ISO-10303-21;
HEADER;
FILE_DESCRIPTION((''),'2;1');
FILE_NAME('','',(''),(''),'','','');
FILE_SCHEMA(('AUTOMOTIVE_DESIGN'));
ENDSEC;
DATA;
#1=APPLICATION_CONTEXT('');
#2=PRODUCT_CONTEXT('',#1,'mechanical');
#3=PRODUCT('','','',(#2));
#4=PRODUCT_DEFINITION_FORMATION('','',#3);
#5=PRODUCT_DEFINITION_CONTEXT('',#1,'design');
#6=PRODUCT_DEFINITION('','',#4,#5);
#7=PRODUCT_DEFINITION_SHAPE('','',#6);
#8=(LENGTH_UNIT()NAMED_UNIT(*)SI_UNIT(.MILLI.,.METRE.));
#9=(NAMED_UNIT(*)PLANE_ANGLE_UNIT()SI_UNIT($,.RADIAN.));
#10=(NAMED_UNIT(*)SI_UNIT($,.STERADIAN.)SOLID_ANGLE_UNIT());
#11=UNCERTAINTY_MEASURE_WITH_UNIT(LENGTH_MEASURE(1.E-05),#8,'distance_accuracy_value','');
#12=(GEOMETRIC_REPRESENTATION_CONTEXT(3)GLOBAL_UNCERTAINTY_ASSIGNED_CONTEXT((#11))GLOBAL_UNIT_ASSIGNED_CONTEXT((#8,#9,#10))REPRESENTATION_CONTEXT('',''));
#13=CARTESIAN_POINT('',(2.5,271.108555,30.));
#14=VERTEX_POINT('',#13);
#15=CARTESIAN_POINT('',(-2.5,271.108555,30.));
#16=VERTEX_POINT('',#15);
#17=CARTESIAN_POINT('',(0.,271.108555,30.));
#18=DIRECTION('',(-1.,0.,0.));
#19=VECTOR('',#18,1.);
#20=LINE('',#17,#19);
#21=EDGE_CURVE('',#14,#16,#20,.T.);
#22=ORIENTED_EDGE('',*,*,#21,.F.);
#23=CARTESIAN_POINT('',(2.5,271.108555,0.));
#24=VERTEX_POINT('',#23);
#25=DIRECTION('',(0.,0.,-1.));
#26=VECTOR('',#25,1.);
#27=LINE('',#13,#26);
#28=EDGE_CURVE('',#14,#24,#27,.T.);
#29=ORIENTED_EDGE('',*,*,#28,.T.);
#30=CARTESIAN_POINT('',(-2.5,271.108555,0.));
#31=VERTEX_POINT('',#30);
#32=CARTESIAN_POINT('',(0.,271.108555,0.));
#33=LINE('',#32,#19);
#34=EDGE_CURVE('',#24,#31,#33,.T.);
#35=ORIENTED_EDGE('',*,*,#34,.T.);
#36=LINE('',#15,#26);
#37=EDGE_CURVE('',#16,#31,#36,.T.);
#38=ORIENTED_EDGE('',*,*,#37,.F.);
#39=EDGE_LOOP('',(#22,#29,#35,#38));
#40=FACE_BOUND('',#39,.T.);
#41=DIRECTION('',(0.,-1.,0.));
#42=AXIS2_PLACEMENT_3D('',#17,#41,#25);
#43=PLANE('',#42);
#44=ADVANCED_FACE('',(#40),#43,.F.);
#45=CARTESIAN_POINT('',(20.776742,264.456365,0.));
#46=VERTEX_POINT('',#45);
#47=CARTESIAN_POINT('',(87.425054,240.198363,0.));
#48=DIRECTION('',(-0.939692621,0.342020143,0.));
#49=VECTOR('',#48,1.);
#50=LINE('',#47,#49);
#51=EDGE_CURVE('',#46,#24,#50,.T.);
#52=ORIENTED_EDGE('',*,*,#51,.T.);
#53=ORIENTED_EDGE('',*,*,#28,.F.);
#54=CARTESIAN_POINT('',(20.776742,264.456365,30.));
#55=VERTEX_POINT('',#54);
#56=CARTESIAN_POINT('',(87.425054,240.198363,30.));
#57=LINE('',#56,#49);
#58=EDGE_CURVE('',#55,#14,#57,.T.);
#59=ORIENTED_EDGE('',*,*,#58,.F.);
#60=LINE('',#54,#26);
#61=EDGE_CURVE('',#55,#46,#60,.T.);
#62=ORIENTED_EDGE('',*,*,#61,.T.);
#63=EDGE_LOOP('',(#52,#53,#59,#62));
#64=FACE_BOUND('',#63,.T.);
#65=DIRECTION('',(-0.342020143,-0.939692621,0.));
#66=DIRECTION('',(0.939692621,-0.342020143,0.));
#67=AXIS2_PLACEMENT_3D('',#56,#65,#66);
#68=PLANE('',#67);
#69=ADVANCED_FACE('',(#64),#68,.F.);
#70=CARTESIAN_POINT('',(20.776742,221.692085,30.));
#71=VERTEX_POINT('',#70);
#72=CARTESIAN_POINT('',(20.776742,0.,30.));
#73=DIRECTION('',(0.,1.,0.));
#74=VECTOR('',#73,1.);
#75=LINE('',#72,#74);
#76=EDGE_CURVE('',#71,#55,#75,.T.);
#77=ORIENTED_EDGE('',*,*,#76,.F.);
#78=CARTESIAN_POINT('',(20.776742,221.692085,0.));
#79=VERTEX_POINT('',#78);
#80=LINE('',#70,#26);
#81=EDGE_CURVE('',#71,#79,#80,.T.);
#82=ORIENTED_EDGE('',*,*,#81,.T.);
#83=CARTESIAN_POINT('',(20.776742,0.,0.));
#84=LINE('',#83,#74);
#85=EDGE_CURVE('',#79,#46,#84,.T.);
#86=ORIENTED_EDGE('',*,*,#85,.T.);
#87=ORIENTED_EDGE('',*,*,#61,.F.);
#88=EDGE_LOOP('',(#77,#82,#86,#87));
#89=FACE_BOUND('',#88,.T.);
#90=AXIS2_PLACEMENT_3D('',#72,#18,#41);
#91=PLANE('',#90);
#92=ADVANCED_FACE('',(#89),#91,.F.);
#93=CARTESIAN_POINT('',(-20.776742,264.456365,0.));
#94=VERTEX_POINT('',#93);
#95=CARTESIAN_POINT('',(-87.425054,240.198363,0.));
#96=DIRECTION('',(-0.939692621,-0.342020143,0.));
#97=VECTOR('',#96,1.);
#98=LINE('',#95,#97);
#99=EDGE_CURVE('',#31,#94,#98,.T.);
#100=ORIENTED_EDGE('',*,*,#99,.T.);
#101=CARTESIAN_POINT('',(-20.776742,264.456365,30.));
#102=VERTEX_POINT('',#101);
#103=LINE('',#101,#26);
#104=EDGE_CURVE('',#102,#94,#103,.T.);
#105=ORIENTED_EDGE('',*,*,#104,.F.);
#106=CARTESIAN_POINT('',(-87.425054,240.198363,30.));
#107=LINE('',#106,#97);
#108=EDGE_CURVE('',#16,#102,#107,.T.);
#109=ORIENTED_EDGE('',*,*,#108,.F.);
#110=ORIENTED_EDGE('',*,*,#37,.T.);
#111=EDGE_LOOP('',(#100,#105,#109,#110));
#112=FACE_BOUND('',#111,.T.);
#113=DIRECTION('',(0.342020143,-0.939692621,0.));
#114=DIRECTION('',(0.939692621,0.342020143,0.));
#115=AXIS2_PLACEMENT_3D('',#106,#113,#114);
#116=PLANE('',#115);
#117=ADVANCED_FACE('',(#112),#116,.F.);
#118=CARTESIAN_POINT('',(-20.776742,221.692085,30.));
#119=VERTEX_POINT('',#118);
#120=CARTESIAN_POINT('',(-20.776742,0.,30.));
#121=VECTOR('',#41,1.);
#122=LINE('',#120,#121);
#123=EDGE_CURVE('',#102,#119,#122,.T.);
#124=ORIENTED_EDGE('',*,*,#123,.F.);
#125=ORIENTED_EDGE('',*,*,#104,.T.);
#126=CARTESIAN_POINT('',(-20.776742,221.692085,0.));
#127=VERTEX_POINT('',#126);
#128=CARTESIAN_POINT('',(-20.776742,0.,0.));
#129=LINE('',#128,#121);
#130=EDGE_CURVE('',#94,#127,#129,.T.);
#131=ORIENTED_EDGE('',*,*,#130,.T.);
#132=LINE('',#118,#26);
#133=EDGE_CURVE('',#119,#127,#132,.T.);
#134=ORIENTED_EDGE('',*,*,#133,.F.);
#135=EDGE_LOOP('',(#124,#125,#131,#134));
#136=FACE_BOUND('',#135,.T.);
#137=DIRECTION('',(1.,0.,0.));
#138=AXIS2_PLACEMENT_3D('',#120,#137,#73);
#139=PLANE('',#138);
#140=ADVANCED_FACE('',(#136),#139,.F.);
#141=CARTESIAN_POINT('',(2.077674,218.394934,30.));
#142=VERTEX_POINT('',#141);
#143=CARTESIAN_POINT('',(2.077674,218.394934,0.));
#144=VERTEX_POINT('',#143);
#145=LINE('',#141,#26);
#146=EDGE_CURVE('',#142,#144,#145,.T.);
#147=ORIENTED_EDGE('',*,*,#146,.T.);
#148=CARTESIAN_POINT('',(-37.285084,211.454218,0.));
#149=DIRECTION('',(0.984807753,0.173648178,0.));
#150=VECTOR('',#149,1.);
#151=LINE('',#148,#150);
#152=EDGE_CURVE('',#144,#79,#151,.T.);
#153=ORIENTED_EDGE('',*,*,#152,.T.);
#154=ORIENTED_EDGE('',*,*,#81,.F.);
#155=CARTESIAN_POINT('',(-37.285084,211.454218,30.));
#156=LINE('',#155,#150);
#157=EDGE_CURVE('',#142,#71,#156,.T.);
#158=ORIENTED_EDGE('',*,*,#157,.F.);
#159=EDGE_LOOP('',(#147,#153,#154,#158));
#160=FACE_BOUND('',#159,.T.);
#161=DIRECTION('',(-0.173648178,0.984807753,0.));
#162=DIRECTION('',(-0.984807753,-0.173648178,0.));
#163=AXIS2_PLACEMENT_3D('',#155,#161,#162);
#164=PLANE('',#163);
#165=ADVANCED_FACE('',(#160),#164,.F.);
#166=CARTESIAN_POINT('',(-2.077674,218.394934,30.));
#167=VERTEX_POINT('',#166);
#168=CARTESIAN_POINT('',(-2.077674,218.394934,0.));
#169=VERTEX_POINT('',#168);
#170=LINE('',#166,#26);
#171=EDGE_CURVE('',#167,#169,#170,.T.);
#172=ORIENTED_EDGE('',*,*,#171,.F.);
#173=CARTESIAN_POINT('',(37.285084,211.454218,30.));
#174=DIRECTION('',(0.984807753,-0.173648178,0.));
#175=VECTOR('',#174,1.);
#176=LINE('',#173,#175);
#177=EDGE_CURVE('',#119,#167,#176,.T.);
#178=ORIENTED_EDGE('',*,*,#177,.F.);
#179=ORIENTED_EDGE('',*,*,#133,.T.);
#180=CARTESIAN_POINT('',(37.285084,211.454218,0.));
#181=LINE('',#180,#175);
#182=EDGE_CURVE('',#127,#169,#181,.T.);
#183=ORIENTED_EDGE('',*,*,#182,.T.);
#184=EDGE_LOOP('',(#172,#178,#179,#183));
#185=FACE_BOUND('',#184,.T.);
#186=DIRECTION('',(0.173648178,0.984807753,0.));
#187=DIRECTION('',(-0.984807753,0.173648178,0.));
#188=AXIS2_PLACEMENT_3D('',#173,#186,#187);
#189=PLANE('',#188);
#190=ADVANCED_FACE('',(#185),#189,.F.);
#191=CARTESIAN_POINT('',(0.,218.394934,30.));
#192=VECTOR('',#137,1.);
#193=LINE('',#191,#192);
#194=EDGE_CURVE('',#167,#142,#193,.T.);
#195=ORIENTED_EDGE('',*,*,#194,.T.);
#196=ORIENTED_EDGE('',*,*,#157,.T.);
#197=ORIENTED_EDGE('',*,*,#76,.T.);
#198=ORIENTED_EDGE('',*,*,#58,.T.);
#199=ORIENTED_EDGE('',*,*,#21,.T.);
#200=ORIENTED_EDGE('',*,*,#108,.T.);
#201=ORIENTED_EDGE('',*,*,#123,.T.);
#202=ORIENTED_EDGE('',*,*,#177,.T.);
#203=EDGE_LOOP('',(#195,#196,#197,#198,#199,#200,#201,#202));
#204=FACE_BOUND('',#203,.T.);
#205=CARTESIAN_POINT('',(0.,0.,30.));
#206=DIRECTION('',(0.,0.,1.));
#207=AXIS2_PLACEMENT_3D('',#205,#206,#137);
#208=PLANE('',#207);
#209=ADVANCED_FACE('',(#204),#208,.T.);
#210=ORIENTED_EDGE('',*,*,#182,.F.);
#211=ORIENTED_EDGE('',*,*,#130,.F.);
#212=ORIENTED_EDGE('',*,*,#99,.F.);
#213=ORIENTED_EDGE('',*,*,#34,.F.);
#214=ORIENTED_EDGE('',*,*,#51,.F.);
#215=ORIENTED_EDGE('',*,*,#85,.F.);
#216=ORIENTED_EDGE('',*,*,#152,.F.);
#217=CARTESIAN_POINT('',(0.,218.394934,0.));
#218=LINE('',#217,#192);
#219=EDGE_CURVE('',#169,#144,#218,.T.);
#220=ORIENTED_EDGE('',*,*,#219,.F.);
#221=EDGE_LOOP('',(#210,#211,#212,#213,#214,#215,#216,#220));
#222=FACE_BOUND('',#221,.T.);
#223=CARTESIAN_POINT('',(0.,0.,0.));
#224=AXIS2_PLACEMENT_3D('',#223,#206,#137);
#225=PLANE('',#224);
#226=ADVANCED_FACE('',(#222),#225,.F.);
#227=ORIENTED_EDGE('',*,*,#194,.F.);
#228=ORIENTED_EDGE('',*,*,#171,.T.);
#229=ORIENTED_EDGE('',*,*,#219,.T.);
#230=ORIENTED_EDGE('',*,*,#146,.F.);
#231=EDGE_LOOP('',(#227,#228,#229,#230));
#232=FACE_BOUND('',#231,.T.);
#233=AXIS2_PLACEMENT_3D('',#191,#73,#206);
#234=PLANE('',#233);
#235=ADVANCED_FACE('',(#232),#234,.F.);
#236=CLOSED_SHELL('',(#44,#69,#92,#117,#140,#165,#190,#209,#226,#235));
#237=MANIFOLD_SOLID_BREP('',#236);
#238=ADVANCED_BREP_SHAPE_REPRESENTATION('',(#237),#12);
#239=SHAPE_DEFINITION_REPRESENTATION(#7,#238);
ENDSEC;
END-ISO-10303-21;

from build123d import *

# Parameters (mm, degrees)
BOSS_EXTRUDE1_DEPTH = 30


with BuildPart() as part:
    # Sketch1 → Boss-Extrude1 (new body)
    with BuildSketch(Plane.XY):
        with BuildLine():
            Line((0, 271.108554652), (-2.5, 271.108554652))
            Line((-2.5, 271.108554652), (-20.776742097, 264.45636455))
            Line((-20.776742097, 264.45636455), (-20.776742097, 221.692084557))
            Line((-20.776742097, 221.692084557), (-2.07767421, 218.394934374))
            Line((-2.07767421, 218.394934374), (0, 218.394934374))
            add(Edge.make_bspline(
                [(0, 218.394934374), (0, 235.966141134), (0, 253.537347893), (0, 271.108554652)],
                knots=[0.805688603, 0.805688603, 0.805688603, 0.805688603, 1, 1, 1, 1], degree=3))
        make_face()
        with BuildLine():
            Line((2.5, 271.108554652), (0, 271.108554652))
            add(Edge.make_bspline(
                [(0, 218.394934374), (0, 235.966141134), (0, 253.537347893), (0, 271.108554652)],
                knots=[0.805688603, 0.805688603, 0.805688603, 0.805688603, 1, 1, 1, 1], degree=3))
            Line((0, 218.394934374), (2.07767421, 218.394934374))
            Line((2.07767421, 218.394934374), (20.776742097, 221.692084557))
            Line((20.776742097, 221.692084557), (20.776742097, 264.45636455))
            Line((20.776742097, 264.45636455), (2.5, 271.108554652))
        make_face()
    extrude(amount=BOSS_EXTRUDE1_DEPTH)


solid = part.part
